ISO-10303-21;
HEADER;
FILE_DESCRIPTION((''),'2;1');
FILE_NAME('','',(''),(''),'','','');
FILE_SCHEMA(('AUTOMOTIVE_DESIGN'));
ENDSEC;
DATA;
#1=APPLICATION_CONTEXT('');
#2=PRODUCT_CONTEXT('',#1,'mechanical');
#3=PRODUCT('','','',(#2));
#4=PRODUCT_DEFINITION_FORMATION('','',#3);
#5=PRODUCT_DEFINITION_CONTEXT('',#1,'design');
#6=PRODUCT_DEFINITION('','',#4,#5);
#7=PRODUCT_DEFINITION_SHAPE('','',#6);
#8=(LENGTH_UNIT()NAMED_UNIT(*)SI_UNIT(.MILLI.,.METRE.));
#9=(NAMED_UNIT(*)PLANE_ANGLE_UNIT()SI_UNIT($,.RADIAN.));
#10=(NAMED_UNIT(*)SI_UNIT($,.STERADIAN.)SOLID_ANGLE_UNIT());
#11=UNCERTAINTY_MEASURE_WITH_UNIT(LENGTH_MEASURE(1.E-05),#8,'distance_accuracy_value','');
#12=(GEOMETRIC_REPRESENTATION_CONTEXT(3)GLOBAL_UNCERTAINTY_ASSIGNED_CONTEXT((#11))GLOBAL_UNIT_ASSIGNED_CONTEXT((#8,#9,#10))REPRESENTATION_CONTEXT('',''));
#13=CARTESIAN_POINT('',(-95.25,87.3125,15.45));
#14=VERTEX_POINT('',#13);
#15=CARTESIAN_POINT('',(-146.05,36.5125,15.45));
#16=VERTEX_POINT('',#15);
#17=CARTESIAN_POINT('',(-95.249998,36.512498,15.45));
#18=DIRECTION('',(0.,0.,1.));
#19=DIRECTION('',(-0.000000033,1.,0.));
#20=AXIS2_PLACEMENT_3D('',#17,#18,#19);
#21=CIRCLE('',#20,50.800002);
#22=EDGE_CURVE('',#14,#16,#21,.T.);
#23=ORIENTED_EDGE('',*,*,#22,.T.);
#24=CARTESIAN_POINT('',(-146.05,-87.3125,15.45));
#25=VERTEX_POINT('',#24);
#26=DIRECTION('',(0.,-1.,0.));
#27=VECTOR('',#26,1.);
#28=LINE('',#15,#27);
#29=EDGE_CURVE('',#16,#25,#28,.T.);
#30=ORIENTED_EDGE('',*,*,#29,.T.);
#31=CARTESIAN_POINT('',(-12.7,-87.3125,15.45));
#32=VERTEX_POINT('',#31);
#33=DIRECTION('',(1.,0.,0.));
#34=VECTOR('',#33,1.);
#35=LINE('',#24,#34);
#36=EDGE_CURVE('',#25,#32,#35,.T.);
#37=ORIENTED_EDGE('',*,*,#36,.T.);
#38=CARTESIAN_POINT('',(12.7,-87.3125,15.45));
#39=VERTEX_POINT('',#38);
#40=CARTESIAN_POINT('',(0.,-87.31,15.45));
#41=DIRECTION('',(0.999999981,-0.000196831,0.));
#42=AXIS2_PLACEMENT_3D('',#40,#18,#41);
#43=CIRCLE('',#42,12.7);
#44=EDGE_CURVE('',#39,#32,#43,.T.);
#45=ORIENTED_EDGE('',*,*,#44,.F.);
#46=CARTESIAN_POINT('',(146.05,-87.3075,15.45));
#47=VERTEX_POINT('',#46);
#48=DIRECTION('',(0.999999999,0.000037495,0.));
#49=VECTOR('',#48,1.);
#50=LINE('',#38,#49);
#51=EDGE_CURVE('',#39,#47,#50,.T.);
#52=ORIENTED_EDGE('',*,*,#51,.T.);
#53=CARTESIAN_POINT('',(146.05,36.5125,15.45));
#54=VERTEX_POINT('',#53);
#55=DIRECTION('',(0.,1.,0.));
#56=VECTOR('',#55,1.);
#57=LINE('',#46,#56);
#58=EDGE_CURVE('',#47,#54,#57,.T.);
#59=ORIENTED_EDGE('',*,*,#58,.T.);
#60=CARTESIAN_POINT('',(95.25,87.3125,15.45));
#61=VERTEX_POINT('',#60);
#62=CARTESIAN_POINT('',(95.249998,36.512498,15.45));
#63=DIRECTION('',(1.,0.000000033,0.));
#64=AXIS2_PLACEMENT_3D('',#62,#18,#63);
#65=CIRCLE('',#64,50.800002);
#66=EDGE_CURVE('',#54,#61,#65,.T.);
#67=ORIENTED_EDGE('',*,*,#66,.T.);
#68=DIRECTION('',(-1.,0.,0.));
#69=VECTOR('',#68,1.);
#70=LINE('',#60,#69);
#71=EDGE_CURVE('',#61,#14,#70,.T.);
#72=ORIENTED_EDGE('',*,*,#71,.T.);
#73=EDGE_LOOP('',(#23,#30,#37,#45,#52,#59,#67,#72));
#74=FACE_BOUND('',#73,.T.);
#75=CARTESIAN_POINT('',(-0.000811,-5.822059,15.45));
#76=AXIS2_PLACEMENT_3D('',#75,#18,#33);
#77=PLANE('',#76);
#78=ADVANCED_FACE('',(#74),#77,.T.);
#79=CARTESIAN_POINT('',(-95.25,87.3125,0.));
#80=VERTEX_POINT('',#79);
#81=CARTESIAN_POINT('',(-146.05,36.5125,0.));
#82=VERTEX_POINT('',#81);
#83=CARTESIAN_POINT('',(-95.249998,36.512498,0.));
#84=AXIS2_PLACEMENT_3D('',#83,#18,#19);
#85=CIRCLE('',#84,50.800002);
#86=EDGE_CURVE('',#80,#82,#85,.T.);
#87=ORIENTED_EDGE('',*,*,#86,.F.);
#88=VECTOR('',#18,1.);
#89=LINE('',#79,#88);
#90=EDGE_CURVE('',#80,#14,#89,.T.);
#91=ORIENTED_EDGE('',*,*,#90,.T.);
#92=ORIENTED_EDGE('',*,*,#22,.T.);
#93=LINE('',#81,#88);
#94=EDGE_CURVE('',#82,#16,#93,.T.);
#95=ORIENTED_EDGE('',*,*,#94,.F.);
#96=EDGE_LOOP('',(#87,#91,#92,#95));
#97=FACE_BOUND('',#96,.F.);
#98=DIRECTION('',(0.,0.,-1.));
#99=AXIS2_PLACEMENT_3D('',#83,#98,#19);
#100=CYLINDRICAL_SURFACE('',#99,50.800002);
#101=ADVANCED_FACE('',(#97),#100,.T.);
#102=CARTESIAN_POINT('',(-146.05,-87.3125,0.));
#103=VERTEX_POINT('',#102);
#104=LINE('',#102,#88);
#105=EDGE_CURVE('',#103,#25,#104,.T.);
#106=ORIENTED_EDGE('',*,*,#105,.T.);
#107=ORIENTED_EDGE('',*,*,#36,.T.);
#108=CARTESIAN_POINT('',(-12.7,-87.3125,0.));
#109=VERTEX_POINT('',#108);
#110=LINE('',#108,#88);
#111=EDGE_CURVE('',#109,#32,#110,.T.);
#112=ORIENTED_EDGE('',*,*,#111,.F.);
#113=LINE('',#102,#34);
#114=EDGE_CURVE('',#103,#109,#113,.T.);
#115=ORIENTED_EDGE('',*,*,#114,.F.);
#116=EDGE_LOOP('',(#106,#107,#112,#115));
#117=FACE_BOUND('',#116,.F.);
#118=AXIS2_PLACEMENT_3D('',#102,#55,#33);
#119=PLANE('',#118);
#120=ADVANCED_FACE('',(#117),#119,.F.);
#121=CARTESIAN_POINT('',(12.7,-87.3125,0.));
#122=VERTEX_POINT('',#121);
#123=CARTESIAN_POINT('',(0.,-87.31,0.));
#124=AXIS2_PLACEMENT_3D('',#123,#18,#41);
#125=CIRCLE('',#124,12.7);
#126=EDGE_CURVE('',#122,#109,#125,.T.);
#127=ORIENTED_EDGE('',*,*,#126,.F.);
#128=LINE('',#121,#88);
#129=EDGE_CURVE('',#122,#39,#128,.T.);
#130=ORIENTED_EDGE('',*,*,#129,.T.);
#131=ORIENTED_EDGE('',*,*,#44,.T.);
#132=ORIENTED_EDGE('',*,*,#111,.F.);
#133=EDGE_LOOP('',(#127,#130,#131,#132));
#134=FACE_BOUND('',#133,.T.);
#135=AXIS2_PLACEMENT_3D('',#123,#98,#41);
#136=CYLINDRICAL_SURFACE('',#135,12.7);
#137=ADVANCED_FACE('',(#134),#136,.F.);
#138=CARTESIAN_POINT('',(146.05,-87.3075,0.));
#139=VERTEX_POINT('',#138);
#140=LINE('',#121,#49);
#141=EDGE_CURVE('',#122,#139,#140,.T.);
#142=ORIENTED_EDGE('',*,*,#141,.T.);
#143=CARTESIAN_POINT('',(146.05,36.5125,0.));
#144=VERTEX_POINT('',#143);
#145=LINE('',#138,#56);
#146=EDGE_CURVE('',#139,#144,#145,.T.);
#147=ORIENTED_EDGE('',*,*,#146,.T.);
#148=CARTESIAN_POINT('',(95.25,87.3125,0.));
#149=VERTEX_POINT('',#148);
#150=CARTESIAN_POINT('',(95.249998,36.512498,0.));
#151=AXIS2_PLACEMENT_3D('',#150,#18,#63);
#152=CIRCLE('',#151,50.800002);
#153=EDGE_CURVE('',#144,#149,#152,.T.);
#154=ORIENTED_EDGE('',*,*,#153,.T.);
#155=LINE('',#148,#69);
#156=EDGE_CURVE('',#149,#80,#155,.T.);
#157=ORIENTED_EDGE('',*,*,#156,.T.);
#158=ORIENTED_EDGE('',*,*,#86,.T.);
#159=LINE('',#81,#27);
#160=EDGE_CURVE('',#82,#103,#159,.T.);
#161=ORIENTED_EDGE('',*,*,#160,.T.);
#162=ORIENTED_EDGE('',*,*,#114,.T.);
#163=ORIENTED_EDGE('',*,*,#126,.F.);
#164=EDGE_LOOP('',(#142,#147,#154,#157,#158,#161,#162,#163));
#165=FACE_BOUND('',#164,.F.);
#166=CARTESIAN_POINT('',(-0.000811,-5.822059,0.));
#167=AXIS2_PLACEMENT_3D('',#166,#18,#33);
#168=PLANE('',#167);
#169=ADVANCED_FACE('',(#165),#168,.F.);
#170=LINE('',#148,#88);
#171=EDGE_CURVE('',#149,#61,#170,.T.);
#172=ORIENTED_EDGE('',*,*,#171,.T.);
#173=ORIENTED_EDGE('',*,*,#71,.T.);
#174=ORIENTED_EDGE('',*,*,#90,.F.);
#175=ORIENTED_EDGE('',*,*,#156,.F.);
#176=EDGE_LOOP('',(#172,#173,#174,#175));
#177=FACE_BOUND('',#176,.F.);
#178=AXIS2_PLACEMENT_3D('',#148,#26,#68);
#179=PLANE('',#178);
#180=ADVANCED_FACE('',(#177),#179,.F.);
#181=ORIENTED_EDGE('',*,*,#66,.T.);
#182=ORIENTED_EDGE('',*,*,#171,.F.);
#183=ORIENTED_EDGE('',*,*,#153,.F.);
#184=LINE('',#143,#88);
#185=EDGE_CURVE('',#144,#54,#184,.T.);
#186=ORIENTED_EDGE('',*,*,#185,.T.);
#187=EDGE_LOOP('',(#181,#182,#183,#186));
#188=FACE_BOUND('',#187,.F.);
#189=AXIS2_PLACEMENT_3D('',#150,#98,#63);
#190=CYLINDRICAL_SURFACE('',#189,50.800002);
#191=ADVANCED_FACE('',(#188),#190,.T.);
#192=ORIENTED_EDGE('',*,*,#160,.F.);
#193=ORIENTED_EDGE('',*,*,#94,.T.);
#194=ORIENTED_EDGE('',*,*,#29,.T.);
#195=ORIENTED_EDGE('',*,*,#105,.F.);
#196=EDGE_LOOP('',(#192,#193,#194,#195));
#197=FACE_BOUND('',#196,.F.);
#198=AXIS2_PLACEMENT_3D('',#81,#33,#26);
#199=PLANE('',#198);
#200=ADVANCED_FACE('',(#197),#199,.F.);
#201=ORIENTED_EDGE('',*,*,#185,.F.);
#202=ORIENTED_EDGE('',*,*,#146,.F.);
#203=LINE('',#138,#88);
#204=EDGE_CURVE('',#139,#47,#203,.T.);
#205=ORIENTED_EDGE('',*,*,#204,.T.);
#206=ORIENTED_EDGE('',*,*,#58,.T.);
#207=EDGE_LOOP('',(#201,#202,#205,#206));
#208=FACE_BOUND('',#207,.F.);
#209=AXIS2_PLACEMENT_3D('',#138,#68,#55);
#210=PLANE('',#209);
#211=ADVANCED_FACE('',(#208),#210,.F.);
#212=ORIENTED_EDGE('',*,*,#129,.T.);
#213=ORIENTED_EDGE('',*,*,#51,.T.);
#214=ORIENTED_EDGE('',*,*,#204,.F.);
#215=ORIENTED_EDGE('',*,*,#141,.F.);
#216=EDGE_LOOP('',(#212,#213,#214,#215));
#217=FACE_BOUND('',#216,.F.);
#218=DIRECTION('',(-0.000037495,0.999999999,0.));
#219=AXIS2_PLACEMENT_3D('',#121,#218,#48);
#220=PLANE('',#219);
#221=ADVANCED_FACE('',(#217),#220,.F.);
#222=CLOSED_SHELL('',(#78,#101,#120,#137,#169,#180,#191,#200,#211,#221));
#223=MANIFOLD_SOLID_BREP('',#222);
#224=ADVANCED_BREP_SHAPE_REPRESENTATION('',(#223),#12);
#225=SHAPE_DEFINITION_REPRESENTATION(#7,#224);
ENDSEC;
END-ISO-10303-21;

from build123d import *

# Parameters (mm, degrees)
PAD_DEPTH = 15.45


with BuildPart() as part:
    # Sketch → Pad (new body)
    with BuildSketch(Plane.XY):
        with BuildLine():
            Line((-146.05, 36.5125), (-146.05, -87.3125))
            Line((-146.05, -87.3125), (-12.7, -87.3125))
            ThreePointArc((12.7, -87.3125), (0, -74.61), (-12.7, -87.3125))
            Line((12.7, -87.3125), (146.05, -87.3075))
            Line((146.05, -87.3075), (146.05, 36.5125))
            ThreePointArc((146.05, 36.5125), (131.171024, 72.433524), (95.25, 87.3125))
            Line((95.25, 87.3125), (-95.25, 87.3125))
            ThreePointArc((-95.25, 87.3125), (-131.171024, 72.433524), (-146.05, 36.5125))
        make_face()
    extrude(amount=PAD_DEPTH)


solid = part.part
